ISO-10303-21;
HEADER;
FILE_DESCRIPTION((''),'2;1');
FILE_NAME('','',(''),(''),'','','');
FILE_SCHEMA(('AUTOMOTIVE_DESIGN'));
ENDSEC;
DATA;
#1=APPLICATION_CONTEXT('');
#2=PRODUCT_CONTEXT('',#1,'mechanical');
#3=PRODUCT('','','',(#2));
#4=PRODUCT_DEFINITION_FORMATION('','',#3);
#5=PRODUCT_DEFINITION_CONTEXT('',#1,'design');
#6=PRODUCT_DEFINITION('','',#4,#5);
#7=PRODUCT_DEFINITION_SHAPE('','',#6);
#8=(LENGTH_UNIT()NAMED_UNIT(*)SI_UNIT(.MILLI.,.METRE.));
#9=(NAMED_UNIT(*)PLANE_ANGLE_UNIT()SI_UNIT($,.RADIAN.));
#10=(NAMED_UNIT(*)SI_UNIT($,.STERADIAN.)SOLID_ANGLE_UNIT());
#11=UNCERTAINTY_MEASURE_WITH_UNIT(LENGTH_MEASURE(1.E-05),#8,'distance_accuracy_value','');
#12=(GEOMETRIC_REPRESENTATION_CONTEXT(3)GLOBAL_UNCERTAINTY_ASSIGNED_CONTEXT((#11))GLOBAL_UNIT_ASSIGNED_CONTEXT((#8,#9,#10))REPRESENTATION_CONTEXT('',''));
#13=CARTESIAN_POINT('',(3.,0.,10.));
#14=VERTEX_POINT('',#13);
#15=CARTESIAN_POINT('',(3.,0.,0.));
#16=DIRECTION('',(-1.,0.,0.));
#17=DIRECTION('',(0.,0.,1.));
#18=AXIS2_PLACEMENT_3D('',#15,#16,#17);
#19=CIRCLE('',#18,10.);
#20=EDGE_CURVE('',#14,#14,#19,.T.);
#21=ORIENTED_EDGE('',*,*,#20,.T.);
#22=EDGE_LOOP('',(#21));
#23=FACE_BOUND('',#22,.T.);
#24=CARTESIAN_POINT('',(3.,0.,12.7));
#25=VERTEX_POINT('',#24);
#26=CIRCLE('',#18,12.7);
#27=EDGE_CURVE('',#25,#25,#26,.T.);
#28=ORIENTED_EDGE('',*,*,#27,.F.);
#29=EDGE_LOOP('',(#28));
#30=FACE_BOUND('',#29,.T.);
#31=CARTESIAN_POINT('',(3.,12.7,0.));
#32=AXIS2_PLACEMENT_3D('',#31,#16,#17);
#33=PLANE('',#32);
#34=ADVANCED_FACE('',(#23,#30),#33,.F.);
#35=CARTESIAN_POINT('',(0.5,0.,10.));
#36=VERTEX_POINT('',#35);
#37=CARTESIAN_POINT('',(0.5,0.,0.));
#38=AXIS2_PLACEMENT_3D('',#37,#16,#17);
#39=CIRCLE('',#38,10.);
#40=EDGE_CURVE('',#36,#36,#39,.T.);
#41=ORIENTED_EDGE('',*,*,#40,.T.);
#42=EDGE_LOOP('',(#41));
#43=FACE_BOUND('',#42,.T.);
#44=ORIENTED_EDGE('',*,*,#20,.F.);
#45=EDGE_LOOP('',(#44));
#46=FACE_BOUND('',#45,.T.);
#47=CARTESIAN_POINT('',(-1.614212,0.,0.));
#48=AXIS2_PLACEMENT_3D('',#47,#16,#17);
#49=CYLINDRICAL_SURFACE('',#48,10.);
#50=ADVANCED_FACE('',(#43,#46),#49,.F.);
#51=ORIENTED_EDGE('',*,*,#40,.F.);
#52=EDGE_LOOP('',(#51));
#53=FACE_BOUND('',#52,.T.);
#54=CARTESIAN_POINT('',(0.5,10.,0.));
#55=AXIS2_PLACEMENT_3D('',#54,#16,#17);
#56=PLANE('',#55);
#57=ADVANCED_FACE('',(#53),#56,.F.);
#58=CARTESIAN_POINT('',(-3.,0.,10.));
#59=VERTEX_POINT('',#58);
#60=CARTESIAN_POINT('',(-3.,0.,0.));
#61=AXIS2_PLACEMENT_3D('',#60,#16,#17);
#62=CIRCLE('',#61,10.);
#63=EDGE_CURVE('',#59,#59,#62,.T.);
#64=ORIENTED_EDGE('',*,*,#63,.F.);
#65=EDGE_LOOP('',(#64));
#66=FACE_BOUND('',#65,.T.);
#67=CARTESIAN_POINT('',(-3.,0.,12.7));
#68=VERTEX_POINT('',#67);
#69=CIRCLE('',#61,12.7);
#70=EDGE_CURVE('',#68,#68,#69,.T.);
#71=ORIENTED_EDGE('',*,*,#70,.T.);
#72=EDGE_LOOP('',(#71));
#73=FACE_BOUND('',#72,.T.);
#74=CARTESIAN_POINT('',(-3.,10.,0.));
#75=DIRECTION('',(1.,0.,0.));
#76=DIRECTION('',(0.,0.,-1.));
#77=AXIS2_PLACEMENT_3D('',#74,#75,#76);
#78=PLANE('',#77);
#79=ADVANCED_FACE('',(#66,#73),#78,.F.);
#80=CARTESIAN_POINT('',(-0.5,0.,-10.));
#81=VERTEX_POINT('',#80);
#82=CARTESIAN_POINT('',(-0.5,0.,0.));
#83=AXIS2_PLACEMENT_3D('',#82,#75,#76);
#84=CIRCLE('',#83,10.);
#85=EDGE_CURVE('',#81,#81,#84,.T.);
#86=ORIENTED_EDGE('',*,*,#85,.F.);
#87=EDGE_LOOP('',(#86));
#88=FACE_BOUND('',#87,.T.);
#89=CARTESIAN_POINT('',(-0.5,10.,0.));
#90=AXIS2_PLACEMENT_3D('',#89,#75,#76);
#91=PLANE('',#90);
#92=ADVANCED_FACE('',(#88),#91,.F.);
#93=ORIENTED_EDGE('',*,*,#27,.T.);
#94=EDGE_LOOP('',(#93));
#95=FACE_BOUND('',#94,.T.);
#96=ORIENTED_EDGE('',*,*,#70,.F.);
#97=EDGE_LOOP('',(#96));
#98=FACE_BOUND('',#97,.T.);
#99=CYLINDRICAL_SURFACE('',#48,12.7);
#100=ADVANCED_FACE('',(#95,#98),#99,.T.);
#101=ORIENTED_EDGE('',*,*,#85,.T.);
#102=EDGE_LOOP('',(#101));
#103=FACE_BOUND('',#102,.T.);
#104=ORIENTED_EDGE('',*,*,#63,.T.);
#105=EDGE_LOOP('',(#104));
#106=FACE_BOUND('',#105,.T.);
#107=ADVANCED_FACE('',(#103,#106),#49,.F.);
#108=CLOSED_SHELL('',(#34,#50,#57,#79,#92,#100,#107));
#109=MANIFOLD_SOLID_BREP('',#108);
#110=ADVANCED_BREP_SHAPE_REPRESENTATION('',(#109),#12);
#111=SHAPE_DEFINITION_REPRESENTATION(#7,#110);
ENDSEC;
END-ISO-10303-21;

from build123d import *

# Parameters (mm, degrees)
SKETCH_1_W = 1
SKETCH_1_H = 10
SKETCH_4_W = 6
SKETCH_4_H = 2.7


with BuildPart() as part:
    # 草图1 → 旋转2 (revolve)
    with BuildSketch(Plane.XY, mode=Mode.PRIVATE) as revolve_2_sk:
        with Locations((0, 5)):
            Rectangle(SKETCH_1_W, SKETCH_1_H)
    revolve(revolve_2_sk.sketch.rotate(Axis((-0.5, 0, 0), (1, 0, 0)), 90), axis=Axis((-0.5, 0, 0), (1, 0, 0)))  # turned: the seam where the file's is

    # 草图4 → 旋转3 (revolve)
    with BuildSketch(Plane.XY, mode=Mode.PRIVATE) as revolve_3_sk:
        with Locations((0, 11.35)):
            Rectangle(SKETCH_4_W, SKETCH_4_H)
    revolve(revolve_3_sk.sketch.rotate(Axis((-1.614212419, 0, 0), (1, 0, 0)), 90), axis=Axis((-1.614212419, 0, 0), (1, 0, 0)))  # turned: the seam where the file's is


solid = part.part
